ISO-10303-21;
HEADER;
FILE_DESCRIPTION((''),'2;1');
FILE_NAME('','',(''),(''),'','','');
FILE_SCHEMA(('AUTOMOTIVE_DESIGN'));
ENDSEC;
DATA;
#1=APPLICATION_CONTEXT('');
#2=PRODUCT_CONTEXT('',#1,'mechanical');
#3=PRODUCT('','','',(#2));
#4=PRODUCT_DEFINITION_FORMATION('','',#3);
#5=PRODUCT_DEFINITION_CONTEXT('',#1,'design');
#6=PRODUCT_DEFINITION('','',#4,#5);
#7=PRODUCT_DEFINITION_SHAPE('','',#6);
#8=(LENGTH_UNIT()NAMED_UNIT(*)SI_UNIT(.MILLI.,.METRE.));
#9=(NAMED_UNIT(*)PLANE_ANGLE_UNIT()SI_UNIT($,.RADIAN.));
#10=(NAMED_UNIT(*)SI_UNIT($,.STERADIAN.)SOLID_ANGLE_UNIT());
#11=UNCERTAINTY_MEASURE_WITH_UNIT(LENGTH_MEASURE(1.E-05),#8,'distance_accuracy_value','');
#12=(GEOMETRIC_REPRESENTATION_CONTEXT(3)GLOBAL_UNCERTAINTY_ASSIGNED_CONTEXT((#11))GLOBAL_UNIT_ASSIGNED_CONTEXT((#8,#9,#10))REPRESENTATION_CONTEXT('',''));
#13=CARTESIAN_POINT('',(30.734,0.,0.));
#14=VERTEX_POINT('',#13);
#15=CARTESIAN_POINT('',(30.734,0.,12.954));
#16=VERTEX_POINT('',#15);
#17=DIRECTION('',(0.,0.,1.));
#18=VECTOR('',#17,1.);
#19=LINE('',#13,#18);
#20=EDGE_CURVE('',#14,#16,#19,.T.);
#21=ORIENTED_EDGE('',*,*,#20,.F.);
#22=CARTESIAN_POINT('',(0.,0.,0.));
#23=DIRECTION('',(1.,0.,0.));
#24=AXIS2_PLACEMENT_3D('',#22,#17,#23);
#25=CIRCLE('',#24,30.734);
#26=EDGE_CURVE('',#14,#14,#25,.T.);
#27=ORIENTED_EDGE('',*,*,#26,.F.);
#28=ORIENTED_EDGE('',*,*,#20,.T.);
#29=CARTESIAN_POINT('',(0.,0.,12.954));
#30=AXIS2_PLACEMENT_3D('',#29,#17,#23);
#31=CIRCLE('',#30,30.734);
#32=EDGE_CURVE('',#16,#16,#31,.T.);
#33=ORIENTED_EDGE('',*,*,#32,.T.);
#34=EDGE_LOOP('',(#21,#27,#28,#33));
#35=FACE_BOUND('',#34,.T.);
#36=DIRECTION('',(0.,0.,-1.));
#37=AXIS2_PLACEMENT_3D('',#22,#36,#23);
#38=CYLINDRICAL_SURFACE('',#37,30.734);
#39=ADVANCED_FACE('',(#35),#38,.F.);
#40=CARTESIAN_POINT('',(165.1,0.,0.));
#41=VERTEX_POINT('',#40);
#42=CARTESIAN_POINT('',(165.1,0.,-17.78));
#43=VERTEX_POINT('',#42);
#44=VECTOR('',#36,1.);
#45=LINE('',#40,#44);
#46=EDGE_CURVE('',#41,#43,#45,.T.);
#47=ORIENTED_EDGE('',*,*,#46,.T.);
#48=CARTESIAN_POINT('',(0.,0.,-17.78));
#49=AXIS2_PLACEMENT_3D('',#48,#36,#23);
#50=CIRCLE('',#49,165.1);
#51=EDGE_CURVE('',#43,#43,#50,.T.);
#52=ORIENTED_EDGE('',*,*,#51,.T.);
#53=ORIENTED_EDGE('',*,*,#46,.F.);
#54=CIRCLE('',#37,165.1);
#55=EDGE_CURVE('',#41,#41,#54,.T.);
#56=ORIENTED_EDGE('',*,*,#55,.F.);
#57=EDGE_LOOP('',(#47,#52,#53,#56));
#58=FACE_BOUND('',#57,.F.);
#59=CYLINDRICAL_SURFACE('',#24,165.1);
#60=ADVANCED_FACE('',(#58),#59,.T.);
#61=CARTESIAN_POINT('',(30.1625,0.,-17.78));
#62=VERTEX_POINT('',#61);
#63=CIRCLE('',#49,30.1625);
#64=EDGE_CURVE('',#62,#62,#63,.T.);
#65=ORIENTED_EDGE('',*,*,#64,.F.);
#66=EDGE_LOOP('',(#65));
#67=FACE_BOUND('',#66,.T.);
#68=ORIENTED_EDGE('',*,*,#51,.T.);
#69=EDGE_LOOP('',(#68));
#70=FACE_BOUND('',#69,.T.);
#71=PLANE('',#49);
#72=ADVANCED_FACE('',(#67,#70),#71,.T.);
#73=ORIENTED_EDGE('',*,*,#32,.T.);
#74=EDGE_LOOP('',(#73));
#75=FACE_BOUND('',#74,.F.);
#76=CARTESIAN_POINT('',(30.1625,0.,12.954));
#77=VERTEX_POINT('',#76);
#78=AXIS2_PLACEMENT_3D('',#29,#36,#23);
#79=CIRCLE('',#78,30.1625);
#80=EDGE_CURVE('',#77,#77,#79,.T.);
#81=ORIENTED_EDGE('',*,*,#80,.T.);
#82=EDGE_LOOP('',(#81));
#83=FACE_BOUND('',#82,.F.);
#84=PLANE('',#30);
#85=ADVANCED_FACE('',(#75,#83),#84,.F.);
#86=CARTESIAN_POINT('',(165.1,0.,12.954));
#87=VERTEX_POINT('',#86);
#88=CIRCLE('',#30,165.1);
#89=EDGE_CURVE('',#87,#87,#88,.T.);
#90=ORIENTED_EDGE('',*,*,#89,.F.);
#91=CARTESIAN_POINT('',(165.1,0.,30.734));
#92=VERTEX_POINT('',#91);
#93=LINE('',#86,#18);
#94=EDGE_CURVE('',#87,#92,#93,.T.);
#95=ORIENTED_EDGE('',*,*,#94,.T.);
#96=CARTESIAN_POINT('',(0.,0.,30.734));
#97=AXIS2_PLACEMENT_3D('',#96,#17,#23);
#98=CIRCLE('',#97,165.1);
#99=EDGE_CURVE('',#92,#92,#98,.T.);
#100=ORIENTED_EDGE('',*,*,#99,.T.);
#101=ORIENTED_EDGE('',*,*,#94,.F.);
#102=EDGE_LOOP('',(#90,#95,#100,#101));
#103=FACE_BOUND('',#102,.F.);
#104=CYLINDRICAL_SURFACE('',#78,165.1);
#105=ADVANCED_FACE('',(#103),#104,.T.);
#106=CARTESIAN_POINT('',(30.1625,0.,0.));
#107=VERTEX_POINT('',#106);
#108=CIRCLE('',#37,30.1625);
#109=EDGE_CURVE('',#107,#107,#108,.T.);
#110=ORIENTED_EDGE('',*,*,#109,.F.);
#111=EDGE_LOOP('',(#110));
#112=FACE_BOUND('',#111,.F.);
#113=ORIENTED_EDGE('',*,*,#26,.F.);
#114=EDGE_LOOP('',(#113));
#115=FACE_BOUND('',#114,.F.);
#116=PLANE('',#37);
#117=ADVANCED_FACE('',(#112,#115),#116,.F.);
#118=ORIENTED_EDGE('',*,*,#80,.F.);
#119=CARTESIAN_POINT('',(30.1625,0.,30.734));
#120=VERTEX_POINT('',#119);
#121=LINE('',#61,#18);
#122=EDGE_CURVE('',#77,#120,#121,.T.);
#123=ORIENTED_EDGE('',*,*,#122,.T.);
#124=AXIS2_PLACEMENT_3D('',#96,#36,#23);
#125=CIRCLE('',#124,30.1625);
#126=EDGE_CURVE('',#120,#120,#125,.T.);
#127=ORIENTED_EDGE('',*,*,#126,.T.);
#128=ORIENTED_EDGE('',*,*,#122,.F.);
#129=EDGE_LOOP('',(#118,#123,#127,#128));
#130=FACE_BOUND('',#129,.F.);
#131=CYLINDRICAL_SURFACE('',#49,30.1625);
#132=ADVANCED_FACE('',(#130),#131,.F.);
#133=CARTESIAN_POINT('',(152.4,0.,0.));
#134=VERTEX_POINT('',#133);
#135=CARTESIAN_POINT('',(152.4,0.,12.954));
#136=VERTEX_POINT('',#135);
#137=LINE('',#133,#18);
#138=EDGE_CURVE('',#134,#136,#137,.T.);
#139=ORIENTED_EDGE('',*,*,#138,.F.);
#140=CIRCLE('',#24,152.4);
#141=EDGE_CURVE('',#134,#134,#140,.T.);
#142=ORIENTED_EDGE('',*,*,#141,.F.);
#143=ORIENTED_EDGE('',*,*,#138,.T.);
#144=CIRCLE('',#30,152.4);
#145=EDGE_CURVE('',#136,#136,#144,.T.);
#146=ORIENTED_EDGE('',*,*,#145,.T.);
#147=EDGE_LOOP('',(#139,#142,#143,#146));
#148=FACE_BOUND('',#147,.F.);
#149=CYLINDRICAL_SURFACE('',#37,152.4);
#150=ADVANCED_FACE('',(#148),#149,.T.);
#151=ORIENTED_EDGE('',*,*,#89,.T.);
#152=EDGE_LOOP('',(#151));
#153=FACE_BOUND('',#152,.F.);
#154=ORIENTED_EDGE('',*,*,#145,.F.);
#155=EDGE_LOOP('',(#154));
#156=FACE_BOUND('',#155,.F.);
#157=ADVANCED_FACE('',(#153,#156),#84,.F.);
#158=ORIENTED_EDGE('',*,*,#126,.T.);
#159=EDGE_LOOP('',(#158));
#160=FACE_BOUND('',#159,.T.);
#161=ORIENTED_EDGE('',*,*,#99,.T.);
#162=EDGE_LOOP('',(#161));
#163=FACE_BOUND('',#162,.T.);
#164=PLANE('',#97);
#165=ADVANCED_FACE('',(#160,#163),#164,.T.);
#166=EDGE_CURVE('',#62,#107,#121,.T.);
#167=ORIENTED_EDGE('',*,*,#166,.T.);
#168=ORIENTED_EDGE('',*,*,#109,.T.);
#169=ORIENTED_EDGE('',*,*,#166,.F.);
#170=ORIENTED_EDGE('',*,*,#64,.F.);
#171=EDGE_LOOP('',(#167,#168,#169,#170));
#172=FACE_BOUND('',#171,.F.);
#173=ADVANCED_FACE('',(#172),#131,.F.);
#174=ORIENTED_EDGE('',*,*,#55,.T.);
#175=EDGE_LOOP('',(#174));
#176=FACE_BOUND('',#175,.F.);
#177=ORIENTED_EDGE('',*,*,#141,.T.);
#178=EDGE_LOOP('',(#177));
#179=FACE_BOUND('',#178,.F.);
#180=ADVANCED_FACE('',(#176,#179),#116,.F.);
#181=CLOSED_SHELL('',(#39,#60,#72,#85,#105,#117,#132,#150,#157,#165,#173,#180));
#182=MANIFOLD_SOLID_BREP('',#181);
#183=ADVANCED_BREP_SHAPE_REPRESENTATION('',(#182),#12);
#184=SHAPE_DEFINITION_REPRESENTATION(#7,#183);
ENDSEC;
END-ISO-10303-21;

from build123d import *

# Parameters (mm, degrees)
F0_R     = 152.4
F0_R_2   = 30.734
F1_DEPTH = 12.954
F2_R     = 165.1
F3_DEPTH = 17.78
F4_R     = 165.1
F5_DEPTH = 17.78
F6_R     = 30.1625
F7_DEPTH = 62.66538


with BuildPart() as f1:
    # F0 (on Top) → F1 (new body)
    with BuildSketch(Plane.XY):
        Circle(F0_R)
        Circle(F0_R_2, mode=Mode.SUBTRACT)
    extrude(amount=F1_DEPTH)

    # F2 (on face) → F3 (join)
    with BuildSketch(Plane(origin=(0, 0, 0), x_dir=(1, 0, 0), z_dir=(0, 0, -1))):
        Circle(F2_R)
    extrude(amount=F3_DEPTH)

    # F4 (on face) → F5 (join)
    with BuildSketch(Plane.XY.offset(12.954)):
        Circle(F4_R)
    extrude(amount=F5_DEPTH)

    # F6 (on face) → F7 (cut)
    with BuildSketch(Plane(origin=(0, 0, -17.78), x_dir=(1, 0, 0), z_dir=(0, 0, -1))):
        Circle(F6_R)
    extrude(amount=-F7_DEPTH, mode=Mode.SUBTRACT)


solid = f1.part
